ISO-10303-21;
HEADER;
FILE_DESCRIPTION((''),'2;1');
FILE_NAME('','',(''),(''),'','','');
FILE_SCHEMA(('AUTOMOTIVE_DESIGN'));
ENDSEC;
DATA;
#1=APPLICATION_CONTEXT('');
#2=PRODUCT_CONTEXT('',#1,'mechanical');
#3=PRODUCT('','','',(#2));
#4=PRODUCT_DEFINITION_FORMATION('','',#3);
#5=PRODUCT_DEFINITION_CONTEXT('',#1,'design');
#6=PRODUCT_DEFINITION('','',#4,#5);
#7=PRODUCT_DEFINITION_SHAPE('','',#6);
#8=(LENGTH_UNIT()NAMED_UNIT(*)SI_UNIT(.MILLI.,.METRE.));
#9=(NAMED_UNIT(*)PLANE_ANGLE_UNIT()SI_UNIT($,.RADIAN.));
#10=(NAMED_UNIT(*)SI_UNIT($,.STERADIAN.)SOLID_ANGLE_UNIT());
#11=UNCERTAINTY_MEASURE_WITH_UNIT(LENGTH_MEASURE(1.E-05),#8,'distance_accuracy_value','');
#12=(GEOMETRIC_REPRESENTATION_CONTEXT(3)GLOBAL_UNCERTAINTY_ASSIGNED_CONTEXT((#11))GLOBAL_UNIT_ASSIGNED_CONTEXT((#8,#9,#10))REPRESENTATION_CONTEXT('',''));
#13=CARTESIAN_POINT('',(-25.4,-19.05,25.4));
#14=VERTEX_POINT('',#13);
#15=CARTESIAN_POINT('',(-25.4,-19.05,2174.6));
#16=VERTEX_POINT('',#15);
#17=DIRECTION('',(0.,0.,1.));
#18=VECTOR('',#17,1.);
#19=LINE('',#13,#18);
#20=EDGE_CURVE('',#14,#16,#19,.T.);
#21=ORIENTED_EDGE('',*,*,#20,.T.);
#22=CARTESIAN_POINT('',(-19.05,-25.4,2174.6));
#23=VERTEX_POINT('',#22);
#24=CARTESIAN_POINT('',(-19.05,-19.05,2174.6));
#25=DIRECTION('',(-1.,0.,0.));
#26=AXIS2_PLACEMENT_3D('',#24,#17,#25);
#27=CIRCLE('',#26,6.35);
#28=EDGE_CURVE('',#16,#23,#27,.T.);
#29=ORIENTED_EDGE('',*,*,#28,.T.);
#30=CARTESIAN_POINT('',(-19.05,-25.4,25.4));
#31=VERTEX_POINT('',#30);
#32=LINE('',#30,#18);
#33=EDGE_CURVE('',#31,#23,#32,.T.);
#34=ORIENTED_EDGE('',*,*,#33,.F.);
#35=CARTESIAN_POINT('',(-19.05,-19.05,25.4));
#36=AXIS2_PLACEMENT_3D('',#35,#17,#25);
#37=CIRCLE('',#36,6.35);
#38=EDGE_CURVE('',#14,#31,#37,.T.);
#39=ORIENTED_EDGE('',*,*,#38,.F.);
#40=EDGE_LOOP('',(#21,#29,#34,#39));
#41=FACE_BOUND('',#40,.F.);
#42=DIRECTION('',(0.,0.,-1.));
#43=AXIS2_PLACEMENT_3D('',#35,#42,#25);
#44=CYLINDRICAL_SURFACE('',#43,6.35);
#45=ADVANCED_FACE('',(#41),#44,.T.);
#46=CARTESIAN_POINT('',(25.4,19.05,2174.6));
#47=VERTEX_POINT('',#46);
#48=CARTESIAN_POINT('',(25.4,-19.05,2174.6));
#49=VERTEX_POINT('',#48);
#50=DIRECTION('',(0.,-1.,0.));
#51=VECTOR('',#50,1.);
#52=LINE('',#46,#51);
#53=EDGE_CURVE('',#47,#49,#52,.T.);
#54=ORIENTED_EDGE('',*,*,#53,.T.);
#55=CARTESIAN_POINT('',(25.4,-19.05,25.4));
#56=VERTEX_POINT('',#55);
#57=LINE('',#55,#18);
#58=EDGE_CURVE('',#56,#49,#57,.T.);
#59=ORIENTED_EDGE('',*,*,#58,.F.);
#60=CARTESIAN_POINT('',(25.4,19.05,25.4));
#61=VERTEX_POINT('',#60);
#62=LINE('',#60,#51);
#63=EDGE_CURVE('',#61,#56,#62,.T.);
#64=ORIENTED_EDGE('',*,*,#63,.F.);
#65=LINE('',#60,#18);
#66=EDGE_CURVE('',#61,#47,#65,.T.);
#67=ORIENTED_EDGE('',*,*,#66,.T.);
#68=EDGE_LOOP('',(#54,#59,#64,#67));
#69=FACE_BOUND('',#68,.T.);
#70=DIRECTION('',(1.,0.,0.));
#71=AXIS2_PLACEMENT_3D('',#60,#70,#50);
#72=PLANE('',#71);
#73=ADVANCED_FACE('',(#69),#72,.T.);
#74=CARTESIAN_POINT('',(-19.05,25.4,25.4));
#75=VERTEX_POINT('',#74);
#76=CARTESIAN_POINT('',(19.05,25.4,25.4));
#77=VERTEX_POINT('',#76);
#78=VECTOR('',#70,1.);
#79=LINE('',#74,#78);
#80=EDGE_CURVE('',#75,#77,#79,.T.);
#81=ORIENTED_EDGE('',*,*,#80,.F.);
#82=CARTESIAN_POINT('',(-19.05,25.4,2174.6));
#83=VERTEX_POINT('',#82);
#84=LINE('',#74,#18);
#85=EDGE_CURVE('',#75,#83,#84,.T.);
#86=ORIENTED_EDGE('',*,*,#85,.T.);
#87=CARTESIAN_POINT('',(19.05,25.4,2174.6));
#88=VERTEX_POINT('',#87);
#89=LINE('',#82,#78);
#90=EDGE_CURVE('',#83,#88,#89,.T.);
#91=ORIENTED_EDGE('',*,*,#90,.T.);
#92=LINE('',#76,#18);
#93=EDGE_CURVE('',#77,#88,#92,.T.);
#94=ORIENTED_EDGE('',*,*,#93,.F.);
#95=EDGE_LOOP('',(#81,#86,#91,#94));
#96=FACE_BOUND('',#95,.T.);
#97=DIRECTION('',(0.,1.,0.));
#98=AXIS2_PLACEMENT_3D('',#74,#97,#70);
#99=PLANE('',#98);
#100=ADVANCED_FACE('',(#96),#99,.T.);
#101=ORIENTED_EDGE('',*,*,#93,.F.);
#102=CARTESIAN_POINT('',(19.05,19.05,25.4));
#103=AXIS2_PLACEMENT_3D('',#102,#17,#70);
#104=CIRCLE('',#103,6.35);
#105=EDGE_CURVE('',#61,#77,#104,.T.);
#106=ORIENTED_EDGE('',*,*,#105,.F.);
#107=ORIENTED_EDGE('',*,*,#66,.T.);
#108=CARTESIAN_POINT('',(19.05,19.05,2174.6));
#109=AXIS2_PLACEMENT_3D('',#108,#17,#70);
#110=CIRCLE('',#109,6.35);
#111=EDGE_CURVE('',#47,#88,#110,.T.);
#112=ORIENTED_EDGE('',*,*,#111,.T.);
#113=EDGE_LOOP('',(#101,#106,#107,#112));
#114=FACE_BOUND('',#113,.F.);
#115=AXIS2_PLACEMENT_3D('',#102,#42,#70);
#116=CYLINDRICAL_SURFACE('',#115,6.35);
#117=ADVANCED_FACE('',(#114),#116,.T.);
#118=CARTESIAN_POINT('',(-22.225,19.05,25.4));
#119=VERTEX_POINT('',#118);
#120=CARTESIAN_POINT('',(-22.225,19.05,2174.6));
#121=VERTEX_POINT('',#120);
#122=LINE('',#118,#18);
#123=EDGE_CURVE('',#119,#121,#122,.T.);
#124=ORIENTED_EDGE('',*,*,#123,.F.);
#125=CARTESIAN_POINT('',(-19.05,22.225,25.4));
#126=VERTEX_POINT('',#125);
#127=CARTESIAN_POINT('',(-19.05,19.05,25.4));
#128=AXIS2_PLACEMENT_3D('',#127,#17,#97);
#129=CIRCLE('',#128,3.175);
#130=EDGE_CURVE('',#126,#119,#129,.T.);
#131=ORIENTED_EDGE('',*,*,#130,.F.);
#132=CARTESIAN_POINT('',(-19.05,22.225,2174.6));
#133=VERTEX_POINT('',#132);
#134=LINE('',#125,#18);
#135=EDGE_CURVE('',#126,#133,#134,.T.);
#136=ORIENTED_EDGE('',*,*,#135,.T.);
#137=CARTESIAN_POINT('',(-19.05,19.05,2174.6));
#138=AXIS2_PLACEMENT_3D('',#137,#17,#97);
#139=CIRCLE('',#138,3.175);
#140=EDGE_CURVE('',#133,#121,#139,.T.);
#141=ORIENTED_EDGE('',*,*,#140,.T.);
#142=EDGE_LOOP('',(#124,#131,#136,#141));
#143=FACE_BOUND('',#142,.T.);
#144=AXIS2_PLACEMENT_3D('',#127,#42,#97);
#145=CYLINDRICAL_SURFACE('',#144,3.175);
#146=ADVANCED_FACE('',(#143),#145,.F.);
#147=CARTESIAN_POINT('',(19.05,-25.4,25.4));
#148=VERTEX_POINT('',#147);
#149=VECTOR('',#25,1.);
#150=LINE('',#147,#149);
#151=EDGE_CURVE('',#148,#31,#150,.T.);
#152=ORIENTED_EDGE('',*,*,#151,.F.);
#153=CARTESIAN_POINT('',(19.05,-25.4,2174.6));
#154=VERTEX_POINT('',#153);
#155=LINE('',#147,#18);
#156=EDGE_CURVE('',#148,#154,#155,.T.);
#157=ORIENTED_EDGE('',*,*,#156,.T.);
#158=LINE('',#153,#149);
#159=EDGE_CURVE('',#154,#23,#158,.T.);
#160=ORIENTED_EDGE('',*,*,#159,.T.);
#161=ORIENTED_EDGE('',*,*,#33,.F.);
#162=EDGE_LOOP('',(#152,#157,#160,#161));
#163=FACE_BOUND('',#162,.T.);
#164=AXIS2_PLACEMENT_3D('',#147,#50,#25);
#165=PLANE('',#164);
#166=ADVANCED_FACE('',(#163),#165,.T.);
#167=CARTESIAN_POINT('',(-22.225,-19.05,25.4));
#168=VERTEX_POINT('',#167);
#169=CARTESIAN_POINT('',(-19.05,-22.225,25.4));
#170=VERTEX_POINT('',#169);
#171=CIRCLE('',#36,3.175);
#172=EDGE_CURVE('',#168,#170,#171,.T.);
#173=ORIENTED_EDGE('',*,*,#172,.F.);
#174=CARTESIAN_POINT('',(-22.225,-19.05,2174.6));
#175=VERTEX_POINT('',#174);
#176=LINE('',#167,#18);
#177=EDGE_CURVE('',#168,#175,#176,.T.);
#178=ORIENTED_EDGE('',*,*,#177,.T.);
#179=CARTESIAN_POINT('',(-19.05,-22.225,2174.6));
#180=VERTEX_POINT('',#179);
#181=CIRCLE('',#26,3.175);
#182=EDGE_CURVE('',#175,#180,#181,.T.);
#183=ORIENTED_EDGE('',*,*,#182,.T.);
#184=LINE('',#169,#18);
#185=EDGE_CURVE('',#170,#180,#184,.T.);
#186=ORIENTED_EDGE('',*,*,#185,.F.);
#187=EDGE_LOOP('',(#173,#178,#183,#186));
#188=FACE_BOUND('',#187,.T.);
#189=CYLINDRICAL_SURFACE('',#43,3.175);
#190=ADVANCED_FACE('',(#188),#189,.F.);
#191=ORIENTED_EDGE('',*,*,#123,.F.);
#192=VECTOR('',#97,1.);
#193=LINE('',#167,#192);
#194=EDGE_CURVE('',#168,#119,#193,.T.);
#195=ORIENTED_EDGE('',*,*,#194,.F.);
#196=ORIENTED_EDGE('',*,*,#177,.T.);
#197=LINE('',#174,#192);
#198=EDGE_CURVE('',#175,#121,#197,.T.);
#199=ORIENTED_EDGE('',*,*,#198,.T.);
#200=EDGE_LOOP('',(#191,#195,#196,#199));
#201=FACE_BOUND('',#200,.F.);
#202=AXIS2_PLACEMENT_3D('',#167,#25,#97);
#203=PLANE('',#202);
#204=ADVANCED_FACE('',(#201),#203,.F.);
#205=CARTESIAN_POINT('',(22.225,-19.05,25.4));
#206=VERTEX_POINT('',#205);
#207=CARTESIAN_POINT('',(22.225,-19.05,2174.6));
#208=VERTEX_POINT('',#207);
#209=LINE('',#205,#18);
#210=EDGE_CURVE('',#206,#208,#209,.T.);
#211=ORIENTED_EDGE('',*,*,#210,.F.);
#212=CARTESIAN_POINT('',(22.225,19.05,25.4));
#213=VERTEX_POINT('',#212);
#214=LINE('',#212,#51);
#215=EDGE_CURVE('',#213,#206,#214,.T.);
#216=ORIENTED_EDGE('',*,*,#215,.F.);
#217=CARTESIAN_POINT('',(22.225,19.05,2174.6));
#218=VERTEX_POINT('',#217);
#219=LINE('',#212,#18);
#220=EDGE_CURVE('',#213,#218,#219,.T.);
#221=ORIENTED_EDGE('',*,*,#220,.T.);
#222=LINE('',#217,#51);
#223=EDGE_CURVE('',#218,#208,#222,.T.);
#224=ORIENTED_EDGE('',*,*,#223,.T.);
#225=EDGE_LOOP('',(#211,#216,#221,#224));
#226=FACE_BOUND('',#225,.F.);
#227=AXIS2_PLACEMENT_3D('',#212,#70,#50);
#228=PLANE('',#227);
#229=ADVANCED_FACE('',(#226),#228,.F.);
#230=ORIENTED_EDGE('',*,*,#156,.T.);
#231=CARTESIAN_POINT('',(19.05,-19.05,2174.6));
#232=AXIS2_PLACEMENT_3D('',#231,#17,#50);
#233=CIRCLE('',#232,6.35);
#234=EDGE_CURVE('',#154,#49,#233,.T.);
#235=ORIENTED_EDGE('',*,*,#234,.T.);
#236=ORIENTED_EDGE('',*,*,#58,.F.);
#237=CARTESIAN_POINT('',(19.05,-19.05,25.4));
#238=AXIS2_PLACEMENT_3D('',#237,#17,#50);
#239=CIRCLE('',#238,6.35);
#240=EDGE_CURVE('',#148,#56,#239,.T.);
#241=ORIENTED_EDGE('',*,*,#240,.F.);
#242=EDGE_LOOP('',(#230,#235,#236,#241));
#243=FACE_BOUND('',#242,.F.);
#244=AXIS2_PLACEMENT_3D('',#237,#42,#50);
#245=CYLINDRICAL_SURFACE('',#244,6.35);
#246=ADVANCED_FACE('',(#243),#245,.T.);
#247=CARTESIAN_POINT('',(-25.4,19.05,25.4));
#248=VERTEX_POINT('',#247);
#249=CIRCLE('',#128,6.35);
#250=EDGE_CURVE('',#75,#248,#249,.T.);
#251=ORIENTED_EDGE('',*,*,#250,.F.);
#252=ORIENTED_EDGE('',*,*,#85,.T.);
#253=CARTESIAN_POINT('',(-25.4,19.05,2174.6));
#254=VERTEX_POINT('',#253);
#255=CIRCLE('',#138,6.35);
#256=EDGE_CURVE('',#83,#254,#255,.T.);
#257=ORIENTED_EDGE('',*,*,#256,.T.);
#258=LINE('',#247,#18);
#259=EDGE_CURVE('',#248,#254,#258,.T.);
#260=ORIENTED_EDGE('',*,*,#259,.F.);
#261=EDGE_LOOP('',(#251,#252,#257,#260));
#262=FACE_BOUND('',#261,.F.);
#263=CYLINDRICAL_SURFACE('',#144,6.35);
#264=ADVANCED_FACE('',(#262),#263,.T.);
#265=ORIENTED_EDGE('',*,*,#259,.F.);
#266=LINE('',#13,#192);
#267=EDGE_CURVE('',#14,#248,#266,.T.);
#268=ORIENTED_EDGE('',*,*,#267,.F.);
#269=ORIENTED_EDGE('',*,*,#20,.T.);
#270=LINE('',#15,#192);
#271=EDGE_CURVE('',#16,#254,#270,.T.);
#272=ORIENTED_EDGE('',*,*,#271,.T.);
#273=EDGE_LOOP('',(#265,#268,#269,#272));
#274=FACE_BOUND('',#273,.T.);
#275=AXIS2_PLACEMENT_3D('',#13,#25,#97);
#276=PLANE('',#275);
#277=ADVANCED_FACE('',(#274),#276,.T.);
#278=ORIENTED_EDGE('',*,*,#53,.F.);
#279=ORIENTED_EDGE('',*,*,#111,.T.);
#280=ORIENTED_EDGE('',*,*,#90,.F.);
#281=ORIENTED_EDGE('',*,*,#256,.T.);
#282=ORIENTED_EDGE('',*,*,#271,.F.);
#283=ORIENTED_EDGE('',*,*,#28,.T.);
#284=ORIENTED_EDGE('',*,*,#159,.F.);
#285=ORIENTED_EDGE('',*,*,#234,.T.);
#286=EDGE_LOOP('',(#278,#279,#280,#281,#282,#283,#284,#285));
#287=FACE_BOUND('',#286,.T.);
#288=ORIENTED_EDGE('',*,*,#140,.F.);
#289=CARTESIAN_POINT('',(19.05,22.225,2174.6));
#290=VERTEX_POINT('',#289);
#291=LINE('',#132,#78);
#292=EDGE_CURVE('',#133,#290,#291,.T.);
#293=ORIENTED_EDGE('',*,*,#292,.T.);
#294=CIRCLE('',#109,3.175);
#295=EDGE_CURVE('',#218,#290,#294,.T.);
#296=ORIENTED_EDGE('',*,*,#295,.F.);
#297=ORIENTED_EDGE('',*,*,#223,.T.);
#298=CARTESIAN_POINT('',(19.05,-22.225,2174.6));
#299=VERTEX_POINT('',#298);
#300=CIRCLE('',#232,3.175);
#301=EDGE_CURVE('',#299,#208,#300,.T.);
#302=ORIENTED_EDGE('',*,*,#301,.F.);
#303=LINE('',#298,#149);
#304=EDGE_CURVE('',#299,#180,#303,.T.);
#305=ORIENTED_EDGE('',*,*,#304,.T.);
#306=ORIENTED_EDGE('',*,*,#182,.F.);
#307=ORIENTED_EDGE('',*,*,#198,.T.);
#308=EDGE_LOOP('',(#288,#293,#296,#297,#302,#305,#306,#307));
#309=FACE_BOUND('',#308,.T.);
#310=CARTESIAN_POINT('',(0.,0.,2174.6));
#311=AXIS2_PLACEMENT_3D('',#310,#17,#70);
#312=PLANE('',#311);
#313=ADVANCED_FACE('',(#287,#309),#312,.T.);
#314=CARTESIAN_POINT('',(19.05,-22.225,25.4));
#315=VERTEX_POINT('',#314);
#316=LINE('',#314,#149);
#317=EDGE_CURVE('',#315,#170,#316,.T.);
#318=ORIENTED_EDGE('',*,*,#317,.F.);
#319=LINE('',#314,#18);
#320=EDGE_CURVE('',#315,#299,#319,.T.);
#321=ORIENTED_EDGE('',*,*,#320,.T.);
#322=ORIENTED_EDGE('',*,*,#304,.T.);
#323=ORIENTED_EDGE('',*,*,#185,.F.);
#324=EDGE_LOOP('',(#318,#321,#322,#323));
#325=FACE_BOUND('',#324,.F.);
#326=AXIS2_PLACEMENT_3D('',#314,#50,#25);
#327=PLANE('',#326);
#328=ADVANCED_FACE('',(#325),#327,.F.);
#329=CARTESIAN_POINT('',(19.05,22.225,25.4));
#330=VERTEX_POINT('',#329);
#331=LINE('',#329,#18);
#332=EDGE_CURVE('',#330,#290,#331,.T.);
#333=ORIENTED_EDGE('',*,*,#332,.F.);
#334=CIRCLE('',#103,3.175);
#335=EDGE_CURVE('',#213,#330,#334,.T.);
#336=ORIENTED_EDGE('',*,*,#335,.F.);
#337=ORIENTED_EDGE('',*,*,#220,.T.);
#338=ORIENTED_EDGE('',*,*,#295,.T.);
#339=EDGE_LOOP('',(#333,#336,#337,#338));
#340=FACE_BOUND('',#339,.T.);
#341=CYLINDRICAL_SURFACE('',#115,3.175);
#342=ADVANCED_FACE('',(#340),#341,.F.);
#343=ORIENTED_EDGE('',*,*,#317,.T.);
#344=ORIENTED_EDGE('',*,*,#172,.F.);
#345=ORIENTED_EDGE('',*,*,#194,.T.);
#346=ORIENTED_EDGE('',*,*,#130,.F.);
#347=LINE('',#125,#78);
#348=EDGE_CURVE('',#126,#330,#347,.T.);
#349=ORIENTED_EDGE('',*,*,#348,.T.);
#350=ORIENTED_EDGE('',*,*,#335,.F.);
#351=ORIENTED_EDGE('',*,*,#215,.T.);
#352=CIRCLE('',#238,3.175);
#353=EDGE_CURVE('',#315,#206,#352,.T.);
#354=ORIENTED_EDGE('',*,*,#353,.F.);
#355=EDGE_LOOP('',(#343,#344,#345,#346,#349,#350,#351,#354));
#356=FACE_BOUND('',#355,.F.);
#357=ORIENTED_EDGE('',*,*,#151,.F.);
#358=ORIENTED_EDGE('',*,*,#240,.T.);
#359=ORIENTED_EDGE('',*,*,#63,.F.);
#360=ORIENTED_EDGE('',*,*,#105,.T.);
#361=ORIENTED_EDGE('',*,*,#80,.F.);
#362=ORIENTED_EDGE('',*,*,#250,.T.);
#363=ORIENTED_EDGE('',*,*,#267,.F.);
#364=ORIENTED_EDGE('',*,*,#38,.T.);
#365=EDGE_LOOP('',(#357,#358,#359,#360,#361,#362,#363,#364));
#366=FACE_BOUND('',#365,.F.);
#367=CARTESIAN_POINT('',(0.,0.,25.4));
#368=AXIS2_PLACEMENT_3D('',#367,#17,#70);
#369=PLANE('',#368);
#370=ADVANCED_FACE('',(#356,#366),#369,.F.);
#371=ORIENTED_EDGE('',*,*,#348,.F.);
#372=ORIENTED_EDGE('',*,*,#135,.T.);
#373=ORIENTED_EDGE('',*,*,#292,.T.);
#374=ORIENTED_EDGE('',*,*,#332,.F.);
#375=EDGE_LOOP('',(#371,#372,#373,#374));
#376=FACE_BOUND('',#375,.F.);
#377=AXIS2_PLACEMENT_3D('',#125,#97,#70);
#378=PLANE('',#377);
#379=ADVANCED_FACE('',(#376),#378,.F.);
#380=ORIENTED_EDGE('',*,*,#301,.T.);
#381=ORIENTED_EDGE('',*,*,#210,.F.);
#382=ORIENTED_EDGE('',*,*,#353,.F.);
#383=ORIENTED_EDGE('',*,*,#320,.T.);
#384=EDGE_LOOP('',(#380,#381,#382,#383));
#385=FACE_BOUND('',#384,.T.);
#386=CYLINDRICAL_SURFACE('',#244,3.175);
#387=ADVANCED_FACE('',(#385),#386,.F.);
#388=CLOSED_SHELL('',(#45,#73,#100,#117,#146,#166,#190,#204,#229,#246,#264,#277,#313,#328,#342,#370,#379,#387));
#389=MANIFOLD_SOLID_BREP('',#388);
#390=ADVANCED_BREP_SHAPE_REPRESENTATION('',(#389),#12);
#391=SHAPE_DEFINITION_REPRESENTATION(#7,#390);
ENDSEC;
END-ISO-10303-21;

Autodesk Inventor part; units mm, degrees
ref_plane "Plano inicial" through (0, 0, 25.4) normal (0, 0, 1) x (1, 0, 0)
ref_plane "Plano final" through (0, 0, 2174.6) normal (0, 0, 1) x (1, 0, 0)
sketch "Boceto" plane through (0, 0, 0) normal (0, 0, 1) x (1, 0, 0)
  line L0 (-25.4, -19.05) -> (-25.4, 19.05)
  line L1 (-19.05, 25.4) -> (19.05, 25.4)
  line L2 (25.4, 19.05) -> (25.4, -19.05)
  line L3 (19.05, -25.4) -> (-19.05, -25.4)
  arc A0 (-25.4, -19.05) -> (-19.05, -25.4) centre (-19.05, -19.05) ccw
  arc A1 (-19.05, 25.4) -> (-25.4, 19.05) centre (-19.05, 19.05) ccw
  arc A2 (25.4, 19.05) -> (19.05, 25.4) centre (19.05, 19.05) ccw
  arc A3 (19.05, -25.4) -> (25.4, -19.05) centre (19.05, -19.05) ccw
  arc A4 (-19.05, 22.225) -> (-22.225, 19.05) centre (-19.05, 19.05) ccw
  line L4 (-19.05, 22.225) -> (19.05, 22.225)
  arc A5 (22.225, 19.05) -> (19.05, 22.225) centre (19.05, 19.05) ccw
  line L5 (22.225, 19.05) -> (22.225, -19.05)
  arc A6 (19.05, -22.225) -> (22.225, -19.05) centre (19.05, -19.05) ccw
  line L6 (19.05, -22.225) -> (-19.05, -22.225)
  arc A7 (-22.225, -19.05) -> (-19.05, -22.225) centre (-19.05, -19.05) ccw
  line L7 (-22.225, -19.05) -> (-22.225, 19.05)
  line L8 (0, 37.4012) -> (0, -37.4012) construction
  line L9 (-37.4012, 0) -> (37.4012, 0) construction
  dimension "d10" = 50.8
  dimension "d11" = 50.8
  dimension "d12" = 3.175
  dimension "d15" = 25.4
  dimension "d16" = 25.4
  dimension "d17" = 6.35
extrude "Cuerpo" add sketch "Boceto" along normal up to surface (2149.2 mm away) from surface at 25.4
sketch "Sketch3" plane through (0, 0, 0) normal (0, 0, 1) x (1, 0, 0)
  line L0 (0, 0) -> (10, 0)
ref_plane "Work Plane3" through (0, 0, 0) normal (0, -1, 0) x (1, 0, 0)
ref_plane "Plano de trabajo4" through (2390, -2980.95, 25.4) normal (0, 0, -1) x (-1, 0, 0)
split "Dividir1" plane through (2390, -2980.95, 25.4) removes the side toward (0, 0, -1)
ref_plane "Plano de trabajo5" through (2370.95, -3000, 2174.6) normal (0, 0, 1) x (1, 0, 0)
split "Dividir2" plane through (2370.95, -3000, 2174.6) removes the side toward (0, 0, 1)
sketch "Sketch4" plane through (0, 0, 0) normal (0, -1, 0) x (1, 0, 0)
  line L0 (-2, 25.4) -> (12, 25.4) projected
  line L1 (-2, 2174.6) -> (12, 2174.6) projected
  dimension "d19" = 2149.2
equation "\"d10\" = G_H"
equation "\"d11\" = G_W"
equation "\"d12\" = G_T"
equation "\"d15\" = 0.5 * d10"
equation "\"d16\" = 0.5 * d11"
equation "\"d17\" = G_IR"
equation "\"d3\" = G_L"
equation "\"G_W\" = 50.8"
equation "\"G_H\" = 50.8"
equation "\"G_T\" = 3.175"
equation "\"G_IR\" = 6.35"
equation "\"G_L\" = d19"
equation "\"G_OFFSET_START\" = -25.4"
equation "\"G_OFFSET_END\" = -25.4"
equation "\"d13\" = -G_OFFSET_START"
equation "\"d14\" = G_OFFSET_END + B_L"
equation "\"B_L\" = 2200"
properties part number "AISC - 2 x 2 x 1/8 - 84,614" material "Acero, suave"
